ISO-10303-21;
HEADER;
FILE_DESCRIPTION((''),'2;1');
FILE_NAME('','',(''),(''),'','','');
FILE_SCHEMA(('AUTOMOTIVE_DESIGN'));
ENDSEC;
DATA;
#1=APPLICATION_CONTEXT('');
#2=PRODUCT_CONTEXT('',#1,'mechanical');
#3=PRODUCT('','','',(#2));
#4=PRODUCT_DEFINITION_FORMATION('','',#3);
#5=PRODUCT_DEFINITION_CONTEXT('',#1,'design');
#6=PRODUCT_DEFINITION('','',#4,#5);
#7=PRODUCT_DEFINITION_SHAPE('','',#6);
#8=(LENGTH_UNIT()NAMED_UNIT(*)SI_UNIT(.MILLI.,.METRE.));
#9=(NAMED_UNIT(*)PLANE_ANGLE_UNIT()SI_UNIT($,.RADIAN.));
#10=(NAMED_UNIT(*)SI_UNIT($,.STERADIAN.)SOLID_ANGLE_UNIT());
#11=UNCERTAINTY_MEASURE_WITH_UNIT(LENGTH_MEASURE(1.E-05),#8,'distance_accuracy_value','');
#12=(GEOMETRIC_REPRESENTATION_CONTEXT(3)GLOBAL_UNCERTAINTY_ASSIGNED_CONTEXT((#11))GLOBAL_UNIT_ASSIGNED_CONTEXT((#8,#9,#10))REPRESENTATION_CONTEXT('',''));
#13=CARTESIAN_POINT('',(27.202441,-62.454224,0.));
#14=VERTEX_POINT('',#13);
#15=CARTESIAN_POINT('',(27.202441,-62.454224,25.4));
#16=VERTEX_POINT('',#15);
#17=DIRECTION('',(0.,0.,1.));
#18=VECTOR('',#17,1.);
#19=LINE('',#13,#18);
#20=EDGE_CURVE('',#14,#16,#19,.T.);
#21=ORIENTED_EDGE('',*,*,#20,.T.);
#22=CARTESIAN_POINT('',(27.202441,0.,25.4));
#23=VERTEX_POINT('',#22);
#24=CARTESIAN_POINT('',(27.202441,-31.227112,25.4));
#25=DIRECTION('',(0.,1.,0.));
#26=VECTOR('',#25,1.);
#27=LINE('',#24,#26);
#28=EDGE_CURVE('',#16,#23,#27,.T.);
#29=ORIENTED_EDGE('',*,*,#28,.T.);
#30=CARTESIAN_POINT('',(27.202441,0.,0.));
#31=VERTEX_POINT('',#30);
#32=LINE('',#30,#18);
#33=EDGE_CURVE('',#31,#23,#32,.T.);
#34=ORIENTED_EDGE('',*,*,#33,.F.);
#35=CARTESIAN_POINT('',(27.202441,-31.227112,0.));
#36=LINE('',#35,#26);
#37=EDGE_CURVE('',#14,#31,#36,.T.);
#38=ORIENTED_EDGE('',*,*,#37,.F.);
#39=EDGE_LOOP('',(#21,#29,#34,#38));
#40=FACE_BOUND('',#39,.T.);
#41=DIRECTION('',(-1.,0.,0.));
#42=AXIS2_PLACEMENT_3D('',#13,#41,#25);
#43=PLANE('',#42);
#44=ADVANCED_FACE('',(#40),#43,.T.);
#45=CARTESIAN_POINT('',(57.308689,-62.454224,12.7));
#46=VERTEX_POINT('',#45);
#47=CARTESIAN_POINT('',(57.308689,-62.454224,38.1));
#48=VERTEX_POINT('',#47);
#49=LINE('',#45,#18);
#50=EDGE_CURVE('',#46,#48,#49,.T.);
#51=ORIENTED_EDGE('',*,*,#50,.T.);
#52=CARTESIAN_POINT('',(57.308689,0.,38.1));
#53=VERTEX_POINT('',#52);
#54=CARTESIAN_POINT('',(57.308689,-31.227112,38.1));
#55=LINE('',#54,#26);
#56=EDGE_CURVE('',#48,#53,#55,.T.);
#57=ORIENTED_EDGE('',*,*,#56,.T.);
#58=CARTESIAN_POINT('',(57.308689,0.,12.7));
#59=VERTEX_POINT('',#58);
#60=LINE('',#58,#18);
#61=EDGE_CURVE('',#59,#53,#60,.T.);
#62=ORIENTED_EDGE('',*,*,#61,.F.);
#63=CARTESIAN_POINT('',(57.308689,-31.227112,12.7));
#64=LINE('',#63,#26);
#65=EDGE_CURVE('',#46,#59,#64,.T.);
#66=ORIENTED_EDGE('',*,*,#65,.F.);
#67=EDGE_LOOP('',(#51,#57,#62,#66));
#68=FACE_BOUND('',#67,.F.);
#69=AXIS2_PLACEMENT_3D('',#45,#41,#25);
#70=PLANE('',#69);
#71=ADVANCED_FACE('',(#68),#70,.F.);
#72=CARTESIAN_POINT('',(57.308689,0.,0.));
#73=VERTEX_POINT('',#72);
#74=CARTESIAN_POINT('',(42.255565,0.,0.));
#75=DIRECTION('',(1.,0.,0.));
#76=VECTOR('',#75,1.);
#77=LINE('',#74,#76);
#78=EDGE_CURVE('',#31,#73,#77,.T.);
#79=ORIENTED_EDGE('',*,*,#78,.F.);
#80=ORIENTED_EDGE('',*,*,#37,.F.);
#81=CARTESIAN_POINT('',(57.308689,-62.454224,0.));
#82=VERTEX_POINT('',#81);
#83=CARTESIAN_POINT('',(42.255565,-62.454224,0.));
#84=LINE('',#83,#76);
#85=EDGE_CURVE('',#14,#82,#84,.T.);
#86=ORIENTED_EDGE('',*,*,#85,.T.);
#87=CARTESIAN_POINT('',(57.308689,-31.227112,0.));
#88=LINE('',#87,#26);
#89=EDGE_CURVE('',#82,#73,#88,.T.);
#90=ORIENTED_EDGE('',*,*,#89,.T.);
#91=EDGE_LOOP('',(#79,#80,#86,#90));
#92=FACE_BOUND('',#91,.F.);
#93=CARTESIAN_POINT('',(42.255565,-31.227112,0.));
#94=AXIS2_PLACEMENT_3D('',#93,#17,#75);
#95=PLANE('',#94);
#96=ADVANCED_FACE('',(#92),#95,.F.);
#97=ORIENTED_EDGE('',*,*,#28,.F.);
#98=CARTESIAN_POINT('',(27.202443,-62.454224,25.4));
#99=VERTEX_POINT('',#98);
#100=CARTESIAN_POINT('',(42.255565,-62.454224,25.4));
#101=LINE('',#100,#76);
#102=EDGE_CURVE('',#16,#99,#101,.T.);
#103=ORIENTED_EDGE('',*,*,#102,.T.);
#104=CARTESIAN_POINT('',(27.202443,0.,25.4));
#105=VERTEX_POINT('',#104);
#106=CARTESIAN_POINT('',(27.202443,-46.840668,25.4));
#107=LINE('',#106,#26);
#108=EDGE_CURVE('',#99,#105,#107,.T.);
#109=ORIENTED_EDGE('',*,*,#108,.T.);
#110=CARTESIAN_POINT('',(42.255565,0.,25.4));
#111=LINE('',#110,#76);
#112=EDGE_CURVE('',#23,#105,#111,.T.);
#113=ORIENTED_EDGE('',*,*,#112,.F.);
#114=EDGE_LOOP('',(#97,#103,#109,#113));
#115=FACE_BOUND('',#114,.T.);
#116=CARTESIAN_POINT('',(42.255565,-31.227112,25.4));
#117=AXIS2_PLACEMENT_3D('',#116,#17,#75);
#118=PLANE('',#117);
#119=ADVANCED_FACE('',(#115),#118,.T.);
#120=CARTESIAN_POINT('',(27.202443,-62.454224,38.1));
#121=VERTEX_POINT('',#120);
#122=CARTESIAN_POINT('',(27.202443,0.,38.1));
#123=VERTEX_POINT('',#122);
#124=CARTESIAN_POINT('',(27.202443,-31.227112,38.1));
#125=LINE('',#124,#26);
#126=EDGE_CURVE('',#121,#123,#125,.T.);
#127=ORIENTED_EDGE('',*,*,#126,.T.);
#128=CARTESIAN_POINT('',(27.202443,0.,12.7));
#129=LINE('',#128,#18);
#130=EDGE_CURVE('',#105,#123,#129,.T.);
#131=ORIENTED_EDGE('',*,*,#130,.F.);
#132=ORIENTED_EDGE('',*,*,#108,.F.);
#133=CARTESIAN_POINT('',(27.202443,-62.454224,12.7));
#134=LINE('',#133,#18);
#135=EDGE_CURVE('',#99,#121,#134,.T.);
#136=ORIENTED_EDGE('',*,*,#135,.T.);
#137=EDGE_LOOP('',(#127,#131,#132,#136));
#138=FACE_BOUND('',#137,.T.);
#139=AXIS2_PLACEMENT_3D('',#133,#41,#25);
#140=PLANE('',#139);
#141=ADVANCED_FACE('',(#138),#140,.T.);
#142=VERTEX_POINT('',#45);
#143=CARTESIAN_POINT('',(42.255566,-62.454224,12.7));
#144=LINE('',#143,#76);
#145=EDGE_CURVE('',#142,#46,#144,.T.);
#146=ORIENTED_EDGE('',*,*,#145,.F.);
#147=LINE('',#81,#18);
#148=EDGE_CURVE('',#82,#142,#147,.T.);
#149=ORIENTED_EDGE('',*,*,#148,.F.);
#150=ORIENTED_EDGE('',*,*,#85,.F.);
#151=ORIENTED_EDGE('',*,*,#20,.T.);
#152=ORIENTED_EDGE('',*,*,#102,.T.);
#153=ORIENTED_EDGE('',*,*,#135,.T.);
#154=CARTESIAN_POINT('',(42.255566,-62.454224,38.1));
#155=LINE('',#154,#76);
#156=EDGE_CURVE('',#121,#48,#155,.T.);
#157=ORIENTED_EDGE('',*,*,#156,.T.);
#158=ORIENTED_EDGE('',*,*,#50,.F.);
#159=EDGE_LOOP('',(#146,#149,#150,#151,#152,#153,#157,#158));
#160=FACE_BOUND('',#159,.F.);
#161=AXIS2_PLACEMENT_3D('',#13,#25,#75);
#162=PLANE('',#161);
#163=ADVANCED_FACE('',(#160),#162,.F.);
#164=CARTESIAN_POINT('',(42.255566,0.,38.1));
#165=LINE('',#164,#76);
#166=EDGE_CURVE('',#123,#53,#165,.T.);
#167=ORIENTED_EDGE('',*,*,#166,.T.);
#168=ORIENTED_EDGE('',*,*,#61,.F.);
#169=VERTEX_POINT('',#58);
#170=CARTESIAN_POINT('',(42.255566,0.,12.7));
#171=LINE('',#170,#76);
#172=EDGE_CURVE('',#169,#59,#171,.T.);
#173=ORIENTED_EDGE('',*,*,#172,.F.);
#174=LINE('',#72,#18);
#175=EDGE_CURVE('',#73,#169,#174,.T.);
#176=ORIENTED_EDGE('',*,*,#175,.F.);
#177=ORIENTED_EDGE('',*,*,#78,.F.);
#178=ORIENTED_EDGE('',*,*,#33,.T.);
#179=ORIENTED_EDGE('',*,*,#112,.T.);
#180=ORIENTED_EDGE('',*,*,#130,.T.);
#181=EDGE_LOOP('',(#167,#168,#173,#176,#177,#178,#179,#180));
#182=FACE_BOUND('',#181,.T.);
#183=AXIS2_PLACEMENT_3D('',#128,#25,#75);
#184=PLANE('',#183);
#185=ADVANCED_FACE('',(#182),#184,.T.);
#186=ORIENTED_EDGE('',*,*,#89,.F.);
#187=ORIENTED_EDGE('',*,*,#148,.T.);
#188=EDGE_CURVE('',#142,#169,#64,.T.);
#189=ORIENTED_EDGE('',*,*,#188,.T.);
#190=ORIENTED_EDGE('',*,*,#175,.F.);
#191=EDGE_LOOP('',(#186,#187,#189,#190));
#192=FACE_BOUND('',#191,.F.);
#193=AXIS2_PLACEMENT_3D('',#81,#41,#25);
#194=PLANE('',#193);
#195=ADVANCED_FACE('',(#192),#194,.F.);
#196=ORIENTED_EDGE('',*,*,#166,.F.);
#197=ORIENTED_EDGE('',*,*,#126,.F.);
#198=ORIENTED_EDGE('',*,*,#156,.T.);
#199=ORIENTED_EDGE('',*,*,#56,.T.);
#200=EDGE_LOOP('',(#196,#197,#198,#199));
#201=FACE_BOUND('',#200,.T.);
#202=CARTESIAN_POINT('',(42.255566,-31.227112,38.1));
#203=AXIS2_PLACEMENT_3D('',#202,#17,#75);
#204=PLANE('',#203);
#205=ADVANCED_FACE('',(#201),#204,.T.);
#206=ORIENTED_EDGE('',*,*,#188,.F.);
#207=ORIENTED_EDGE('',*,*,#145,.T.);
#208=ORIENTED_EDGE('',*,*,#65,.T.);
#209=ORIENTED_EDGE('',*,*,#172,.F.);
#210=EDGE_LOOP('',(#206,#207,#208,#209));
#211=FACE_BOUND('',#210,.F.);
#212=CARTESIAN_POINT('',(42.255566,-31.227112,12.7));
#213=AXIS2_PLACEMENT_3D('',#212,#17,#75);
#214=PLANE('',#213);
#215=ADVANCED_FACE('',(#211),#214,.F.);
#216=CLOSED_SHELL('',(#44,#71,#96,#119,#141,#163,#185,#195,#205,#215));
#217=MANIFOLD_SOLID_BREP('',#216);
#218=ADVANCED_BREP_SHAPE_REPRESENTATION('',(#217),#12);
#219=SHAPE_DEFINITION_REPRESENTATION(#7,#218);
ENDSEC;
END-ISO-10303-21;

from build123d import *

# Parameters (mm, degrees)
F0_W      = 30.106247
F0_H      = 62.454224
F1_DEPTH  = 12.7
F1_FACE_W = 30.106246
F1_FACE_H = 62.454224
F2_DEPTH  = 25.4


with BuildPart() as f1:
    # F0 (on Top) → F1 (new body)
    with BuildSketch(Plane.XY):
        with Locations((42.255565, -31.227112)):
            Rectangle(F0_W, F0_H)
    extrude(amount=F1_DEPTH)

    # F1_face (on face) + F0 (on Top) → F2 (join)
    with BuildSketch(Plane(origin=(42.255566, -31.227112, 12.7), x_dir=(1, 0, 0), z_dir=(0, 0, 1))):
        Rectangle(F1_FACE_W, F1_FACE_H)
    with BuildSketch(Plane.XY):
        with Locations((42.255565, -31.227112)):
            Rectangle(F0_W, F0_H)
    extrude(amount=F2_DEPTH)


solid = f1.part
